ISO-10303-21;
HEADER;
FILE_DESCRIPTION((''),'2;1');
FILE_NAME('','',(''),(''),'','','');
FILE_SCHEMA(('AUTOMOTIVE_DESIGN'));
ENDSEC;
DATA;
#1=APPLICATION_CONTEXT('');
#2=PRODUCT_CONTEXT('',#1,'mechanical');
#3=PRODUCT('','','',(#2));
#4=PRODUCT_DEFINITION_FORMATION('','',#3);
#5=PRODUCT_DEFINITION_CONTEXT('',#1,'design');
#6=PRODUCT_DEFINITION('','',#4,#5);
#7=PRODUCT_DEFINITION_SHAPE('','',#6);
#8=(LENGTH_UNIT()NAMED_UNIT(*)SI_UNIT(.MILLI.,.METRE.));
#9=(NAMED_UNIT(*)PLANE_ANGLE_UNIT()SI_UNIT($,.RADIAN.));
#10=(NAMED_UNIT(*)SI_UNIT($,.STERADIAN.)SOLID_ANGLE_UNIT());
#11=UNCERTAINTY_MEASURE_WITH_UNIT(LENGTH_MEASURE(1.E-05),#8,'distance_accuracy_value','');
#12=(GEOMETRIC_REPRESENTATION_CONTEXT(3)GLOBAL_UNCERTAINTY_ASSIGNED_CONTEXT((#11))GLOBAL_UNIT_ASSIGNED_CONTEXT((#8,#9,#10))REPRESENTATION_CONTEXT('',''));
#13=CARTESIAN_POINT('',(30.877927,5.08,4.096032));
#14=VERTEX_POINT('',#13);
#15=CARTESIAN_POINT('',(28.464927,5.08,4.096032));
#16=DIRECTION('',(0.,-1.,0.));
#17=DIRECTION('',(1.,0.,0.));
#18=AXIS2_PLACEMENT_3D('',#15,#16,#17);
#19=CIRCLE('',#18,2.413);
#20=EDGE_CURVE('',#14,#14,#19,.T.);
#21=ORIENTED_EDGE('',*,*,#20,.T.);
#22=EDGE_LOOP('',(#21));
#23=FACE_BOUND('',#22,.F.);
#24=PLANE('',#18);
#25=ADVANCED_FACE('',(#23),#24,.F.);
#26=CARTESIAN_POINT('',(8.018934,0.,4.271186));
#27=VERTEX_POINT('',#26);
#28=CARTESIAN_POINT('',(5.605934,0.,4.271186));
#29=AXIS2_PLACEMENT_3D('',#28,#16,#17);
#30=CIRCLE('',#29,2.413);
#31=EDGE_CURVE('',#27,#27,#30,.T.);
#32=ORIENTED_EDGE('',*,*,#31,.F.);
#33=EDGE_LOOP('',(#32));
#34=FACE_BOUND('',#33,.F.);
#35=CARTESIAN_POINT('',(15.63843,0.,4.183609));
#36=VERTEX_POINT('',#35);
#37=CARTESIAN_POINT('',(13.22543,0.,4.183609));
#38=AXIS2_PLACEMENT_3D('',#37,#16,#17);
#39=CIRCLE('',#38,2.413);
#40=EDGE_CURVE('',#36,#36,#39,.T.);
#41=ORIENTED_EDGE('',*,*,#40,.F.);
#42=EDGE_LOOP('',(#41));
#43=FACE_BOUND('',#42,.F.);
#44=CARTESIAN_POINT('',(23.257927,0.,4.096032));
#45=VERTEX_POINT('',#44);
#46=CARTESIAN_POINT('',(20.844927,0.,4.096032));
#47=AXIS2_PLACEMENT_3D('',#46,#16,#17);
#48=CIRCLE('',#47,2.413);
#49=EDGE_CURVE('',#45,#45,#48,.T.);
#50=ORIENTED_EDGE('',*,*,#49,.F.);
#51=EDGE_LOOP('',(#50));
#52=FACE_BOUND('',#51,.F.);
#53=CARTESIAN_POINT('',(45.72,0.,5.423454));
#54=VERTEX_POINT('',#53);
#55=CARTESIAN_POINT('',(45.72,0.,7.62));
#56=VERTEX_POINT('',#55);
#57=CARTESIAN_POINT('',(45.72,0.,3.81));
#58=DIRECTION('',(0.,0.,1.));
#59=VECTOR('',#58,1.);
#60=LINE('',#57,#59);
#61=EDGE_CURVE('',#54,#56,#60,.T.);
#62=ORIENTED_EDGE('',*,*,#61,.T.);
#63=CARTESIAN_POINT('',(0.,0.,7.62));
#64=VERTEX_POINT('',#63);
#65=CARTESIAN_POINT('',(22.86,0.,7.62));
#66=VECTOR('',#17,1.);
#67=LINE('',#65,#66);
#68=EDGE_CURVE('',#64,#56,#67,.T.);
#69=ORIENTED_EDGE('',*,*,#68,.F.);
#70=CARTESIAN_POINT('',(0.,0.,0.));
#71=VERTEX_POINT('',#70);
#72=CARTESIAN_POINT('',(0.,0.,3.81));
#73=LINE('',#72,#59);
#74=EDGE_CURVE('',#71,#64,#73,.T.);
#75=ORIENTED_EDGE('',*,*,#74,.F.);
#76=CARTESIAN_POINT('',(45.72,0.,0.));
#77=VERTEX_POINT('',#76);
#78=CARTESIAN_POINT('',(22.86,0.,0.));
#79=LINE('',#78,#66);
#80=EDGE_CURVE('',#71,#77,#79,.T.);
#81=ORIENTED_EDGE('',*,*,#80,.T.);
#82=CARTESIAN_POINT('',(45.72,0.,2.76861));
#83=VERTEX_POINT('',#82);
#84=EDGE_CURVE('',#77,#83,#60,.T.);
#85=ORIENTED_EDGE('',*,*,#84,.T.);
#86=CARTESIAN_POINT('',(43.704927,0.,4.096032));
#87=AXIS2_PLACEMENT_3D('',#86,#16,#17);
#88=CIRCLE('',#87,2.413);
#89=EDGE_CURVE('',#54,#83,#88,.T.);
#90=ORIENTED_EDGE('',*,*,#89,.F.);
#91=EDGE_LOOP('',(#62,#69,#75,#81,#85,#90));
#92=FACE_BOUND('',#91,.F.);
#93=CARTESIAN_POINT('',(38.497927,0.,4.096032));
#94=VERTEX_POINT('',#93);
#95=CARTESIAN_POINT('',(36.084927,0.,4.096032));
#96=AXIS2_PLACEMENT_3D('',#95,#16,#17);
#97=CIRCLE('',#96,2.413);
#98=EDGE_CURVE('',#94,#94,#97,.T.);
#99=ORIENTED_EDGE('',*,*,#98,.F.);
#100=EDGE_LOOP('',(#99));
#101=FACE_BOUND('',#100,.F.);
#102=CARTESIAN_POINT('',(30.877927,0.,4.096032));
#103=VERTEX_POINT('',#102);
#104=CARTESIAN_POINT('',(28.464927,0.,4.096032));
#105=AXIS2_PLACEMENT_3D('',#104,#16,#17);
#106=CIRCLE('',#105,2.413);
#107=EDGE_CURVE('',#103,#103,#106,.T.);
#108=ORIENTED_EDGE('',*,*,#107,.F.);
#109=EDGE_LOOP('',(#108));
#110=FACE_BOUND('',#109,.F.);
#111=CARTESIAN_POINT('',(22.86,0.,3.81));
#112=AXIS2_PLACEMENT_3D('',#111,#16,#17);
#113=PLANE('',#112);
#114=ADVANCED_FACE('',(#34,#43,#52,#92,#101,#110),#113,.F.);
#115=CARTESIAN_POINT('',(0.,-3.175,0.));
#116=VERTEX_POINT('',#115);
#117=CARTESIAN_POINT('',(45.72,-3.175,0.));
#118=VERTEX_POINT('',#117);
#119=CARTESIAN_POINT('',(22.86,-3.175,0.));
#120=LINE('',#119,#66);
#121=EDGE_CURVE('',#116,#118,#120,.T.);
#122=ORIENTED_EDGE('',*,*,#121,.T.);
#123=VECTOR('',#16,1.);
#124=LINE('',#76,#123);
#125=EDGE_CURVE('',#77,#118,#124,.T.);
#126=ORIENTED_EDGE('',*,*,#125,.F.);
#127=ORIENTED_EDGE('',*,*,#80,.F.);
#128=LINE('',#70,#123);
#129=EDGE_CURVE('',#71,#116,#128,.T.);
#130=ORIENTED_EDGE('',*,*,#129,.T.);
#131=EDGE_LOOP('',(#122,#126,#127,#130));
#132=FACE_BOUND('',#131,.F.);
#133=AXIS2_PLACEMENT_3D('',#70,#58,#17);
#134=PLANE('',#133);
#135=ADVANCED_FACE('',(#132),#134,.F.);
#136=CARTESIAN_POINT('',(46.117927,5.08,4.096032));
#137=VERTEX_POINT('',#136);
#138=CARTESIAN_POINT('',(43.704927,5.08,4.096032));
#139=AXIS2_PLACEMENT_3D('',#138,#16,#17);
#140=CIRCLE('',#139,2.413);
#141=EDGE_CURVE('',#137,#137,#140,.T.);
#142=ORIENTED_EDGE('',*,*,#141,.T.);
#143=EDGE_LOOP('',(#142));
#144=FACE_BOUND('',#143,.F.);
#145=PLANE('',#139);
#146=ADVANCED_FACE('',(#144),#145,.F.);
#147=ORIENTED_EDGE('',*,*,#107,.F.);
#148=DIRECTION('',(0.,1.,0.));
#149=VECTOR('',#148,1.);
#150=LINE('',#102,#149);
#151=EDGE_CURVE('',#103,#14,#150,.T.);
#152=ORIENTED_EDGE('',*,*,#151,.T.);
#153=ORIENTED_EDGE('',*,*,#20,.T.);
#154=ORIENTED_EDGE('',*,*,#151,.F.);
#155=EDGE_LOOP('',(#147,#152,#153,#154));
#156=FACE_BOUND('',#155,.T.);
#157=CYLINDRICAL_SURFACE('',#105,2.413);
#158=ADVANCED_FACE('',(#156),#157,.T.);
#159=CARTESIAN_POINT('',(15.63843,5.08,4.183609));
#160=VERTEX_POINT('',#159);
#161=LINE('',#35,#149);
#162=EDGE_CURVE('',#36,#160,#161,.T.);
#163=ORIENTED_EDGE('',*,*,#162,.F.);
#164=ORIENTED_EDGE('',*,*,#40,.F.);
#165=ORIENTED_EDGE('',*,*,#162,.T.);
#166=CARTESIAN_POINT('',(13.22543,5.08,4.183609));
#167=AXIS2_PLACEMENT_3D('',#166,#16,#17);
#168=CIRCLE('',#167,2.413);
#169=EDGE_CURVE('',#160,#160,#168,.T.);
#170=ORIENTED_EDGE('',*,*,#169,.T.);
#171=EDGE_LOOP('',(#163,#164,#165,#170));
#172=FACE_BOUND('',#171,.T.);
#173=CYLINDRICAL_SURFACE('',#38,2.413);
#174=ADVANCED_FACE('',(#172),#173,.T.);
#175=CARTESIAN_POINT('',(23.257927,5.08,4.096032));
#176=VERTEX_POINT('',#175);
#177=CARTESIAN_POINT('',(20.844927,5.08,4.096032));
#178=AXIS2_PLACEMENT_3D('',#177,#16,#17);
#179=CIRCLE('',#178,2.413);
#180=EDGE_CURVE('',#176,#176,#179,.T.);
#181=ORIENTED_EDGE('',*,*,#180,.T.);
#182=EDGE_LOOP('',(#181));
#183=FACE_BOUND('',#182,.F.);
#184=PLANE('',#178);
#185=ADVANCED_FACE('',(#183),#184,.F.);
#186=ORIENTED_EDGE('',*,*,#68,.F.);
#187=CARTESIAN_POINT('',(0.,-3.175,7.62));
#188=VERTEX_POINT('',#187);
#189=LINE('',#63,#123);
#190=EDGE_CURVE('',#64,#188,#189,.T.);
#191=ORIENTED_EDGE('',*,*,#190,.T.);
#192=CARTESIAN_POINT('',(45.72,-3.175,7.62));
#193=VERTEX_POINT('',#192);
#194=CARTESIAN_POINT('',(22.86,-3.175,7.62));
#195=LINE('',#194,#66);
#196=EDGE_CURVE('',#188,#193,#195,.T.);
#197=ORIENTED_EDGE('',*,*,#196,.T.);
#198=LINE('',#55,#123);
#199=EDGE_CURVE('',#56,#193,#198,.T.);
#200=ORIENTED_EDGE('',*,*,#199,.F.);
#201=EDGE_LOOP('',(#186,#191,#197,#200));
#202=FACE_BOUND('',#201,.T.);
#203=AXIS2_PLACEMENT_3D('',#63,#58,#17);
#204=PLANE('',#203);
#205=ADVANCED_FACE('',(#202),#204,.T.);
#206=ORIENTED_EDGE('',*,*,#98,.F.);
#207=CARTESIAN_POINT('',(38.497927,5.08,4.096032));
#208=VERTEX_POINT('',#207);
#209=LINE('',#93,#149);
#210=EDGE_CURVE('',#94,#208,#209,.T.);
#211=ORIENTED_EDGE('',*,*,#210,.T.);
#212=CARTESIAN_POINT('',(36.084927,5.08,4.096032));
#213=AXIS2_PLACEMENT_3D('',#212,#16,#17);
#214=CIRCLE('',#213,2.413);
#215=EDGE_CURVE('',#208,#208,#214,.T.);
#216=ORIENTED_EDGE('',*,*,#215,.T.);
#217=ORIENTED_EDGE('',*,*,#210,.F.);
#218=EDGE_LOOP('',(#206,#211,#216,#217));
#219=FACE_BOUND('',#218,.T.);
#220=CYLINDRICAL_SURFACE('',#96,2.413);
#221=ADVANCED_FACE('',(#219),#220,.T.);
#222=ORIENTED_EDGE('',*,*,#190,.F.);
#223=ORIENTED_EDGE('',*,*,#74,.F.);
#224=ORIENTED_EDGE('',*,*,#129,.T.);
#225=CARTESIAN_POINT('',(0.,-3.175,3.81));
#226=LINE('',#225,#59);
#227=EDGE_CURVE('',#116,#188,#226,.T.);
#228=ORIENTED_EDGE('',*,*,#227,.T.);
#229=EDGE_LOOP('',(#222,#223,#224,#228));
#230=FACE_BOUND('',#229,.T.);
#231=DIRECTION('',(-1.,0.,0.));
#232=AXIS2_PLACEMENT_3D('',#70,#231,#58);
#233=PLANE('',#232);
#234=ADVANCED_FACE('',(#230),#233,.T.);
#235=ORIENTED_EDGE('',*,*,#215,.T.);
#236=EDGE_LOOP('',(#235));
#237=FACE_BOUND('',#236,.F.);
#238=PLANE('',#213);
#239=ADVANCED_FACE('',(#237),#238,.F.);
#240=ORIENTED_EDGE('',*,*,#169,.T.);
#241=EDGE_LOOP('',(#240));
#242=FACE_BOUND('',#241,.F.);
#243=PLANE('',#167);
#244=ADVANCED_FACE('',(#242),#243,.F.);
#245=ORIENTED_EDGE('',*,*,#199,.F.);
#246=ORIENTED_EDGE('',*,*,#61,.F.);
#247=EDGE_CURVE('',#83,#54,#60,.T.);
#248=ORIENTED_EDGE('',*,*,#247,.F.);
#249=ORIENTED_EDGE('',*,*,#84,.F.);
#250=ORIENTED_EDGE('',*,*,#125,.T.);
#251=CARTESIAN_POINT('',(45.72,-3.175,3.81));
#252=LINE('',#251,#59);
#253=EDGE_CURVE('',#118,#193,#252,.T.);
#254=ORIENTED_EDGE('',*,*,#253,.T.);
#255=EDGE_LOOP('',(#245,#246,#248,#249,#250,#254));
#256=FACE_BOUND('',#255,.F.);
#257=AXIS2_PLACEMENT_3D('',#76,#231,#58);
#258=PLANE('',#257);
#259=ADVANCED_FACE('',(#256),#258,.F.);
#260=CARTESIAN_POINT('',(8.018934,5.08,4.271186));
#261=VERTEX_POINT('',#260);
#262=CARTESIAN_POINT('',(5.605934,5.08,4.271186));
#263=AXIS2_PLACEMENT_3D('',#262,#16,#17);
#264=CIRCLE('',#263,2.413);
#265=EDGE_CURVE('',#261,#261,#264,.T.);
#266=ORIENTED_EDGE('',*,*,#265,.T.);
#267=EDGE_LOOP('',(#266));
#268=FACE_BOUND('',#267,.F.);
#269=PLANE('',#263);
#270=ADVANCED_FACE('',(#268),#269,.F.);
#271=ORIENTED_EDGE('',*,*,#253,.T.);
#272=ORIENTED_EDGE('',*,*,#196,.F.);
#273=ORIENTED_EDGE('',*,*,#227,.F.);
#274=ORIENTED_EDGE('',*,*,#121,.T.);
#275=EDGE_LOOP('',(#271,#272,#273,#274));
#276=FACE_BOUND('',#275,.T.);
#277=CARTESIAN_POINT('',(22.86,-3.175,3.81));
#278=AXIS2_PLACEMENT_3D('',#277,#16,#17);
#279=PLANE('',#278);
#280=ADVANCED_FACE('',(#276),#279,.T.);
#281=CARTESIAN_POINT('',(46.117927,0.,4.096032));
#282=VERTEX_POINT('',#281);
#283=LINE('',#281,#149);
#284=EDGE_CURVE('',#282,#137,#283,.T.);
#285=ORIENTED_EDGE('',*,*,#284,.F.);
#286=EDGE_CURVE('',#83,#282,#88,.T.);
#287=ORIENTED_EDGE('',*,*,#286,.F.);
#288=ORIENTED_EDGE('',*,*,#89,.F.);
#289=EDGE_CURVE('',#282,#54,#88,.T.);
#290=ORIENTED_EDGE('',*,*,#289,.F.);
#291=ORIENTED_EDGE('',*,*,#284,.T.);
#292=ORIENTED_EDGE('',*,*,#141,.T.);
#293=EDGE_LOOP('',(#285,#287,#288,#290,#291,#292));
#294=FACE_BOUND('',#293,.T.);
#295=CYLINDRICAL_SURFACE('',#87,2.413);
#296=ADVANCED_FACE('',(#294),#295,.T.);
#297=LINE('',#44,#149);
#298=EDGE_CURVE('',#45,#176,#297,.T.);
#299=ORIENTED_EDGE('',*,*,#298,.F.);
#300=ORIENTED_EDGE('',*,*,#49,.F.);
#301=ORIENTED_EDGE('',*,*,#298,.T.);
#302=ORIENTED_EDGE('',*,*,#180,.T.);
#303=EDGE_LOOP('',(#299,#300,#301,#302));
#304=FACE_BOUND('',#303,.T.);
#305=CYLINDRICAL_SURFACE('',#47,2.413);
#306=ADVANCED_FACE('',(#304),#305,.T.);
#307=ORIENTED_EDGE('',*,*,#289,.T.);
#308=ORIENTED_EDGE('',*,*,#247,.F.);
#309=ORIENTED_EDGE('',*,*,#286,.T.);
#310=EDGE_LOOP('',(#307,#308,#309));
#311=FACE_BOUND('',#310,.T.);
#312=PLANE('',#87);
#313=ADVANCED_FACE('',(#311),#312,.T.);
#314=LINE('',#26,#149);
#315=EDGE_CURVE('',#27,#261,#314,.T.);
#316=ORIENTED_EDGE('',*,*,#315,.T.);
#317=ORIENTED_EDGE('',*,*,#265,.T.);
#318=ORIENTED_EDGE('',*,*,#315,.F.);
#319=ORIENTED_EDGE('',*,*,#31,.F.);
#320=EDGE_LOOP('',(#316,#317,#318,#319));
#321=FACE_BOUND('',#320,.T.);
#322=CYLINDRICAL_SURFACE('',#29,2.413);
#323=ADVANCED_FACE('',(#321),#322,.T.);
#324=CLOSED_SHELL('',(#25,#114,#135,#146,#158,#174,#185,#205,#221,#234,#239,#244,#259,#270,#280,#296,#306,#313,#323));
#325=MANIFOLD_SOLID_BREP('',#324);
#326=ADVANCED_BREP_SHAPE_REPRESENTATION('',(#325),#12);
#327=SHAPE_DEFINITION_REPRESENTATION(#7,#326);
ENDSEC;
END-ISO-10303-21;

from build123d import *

# Parameters (mm, degrees)
F0_W     = 45.72
F0_H     = 7.62
F1_DEPTH = 3.175
F2_R     = 2.413
F3_DEPTH = 5.08


with BuildPart() as f1:
    # F0 (on Front) → F1 (new body)
    with BuildSketch(Plane.XZ):
        with Locations((22.86, 3.81)):
            Rectangle(F0_W, F0_H)
    extrude(amount=F1_DEPTH)

    # F2 (on Front) → F3 (join)
    with BuildSketch(Plane.XZ):
        with Locations((5.605934, 4.271186)):
            Circle(F2_R)
        with Locations((13.22543, 4.183609)):
            Circle(F2_R)
        with Locations((20.844927, 4.096032)):
            Circle(F2_R)
        with Locations((28.464927, 4.096032)):
            Circle(F2_R)
        with Locations((36.084927, 4.096032)):
            Circle(F2_R)
        with Locations((43.704927, 4.096032)):
            Circle(F2_R)
    extrude(amount=-F3_DEPTH)


solid = f1.part
